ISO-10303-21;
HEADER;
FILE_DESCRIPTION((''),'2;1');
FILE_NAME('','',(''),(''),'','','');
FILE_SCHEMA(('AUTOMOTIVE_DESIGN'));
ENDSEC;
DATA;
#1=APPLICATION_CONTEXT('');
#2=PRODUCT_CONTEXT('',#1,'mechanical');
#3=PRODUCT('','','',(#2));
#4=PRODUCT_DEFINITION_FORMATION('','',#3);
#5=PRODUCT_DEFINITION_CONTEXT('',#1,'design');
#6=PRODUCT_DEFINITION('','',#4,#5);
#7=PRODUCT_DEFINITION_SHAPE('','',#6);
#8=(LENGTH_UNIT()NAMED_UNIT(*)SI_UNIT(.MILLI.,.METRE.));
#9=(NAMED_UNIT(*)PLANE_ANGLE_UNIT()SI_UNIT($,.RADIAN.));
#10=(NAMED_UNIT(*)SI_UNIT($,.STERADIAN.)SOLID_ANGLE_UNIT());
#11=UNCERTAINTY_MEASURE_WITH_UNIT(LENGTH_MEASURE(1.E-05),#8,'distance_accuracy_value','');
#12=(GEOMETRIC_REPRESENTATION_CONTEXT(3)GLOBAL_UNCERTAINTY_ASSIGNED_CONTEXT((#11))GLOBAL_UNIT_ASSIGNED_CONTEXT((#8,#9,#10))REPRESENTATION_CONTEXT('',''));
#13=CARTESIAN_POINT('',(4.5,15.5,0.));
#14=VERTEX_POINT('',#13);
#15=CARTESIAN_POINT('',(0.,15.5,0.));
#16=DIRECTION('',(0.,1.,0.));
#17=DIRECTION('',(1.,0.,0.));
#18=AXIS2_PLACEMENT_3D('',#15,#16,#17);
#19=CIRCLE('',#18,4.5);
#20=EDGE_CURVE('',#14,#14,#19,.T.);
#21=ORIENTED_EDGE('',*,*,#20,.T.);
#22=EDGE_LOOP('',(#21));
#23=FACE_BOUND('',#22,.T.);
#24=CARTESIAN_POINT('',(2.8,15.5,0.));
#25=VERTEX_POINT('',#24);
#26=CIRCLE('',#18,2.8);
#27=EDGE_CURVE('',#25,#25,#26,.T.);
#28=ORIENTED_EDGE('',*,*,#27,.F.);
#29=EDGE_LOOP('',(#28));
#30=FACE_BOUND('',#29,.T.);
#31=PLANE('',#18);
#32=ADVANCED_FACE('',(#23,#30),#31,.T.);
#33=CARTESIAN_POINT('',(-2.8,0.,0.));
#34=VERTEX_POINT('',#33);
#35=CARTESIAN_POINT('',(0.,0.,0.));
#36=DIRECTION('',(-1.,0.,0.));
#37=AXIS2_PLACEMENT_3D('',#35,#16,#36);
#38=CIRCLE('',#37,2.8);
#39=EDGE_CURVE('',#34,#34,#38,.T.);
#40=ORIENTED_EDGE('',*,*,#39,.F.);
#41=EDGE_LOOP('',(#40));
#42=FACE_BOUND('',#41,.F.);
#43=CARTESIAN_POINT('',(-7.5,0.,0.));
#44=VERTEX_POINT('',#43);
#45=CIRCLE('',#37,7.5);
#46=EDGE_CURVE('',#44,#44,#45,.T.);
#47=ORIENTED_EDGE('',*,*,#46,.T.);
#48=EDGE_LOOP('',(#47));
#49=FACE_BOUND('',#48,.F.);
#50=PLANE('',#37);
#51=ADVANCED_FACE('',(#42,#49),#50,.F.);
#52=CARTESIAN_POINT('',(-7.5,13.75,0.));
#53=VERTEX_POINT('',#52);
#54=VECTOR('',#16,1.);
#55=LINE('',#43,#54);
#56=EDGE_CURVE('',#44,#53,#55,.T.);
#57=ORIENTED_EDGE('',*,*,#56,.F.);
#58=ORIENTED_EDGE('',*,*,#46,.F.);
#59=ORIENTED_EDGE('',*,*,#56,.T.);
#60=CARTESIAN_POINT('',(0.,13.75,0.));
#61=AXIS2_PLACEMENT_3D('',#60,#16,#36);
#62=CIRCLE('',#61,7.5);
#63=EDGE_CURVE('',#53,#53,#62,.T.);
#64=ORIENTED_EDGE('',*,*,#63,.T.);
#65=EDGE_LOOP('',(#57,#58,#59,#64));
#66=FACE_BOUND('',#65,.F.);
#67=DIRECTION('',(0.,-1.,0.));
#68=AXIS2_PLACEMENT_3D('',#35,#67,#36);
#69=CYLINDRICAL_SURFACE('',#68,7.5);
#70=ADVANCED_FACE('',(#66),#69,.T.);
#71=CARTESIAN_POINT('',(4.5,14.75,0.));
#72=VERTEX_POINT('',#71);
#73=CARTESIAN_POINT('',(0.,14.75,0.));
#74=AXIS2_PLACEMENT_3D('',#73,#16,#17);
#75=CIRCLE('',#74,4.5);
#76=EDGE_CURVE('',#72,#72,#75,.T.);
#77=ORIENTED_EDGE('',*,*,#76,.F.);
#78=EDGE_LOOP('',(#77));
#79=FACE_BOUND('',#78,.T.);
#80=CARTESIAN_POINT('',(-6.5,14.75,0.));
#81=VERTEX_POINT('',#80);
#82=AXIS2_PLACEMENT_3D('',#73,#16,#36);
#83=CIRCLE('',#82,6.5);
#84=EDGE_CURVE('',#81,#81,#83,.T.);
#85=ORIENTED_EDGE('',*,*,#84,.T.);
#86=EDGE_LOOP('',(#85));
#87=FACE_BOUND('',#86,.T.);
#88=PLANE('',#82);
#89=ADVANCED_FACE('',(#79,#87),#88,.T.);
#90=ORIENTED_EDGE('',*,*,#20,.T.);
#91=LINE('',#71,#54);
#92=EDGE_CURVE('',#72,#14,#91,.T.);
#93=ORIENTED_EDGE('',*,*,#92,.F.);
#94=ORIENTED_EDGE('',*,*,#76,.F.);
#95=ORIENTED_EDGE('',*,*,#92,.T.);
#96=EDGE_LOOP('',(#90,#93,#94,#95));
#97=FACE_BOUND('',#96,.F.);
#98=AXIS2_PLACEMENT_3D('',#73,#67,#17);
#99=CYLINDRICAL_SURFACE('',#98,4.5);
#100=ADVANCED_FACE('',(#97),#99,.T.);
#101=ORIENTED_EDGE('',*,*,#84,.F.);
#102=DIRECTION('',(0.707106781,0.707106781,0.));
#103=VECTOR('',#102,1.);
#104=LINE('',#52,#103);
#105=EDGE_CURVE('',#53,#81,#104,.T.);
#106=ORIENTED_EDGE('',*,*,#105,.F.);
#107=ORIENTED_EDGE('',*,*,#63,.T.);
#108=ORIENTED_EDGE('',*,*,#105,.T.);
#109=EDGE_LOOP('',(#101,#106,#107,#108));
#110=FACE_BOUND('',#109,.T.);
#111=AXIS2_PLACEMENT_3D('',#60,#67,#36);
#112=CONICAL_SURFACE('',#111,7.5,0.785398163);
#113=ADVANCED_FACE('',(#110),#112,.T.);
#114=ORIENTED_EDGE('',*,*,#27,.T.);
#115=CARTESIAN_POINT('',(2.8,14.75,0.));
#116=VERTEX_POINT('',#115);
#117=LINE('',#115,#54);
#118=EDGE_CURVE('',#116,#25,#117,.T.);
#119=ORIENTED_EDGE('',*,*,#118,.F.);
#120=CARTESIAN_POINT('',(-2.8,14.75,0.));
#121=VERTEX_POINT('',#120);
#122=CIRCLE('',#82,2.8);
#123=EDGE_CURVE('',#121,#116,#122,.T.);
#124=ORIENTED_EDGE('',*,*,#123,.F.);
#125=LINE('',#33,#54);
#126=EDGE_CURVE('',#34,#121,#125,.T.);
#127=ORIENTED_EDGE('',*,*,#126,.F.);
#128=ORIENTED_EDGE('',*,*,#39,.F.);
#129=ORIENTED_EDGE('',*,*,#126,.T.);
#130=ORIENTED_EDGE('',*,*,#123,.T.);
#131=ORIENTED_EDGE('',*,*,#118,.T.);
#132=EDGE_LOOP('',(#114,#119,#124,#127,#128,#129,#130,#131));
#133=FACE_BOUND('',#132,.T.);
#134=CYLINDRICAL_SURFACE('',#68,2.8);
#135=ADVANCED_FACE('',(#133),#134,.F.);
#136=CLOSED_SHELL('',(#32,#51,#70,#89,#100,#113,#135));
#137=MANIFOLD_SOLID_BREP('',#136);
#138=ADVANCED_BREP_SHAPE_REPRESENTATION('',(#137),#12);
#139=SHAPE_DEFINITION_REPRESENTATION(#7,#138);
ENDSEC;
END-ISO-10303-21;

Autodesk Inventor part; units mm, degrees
ref_plane "YZ Plane" through (0, 0, 0) normal (1, 0, 0) x (0, 1, 0)
ref_plane "XZ Plane" through (0, 0, 0) normal (0, 1, 0) x (-1, 0, 0)
ref_plane "XY Plane" through (0, 0, 0) normal (0, 0, 1) x (1, 0, 0)
sketch "Sketch1" plane through (0, 0, 0) normal (0, 1, 0) x (-1, 0, 0)
  circle A0 centre (0, 0) radius 2.8
  circle A1 centre (0, 0) radius 7.5
  dimension "d0" = 5.6
  dimension "d1" = 15
extrude "Extrusion1" add sketch "Sketch1" along normal blind 14.75
sketch "Sketch2" plane through (0, 14.75, 0) normal (0, 1, 0) x (1, 0, 0)
  circle A0 centre (0, 0) radius 4.5
  circle A1 centre (0, 0) radius 2.8 projected
  dimension "d4" = 9
extrude "Extrusion2" add sketch "Sketch2" along normal blind 0.75
chamfer "Chamfer1" distance 1 angle 45 1 edges at (7.5, 14.75, 0)
properties part number "x carraige sliding spacer long" material "ABS Plastic"
